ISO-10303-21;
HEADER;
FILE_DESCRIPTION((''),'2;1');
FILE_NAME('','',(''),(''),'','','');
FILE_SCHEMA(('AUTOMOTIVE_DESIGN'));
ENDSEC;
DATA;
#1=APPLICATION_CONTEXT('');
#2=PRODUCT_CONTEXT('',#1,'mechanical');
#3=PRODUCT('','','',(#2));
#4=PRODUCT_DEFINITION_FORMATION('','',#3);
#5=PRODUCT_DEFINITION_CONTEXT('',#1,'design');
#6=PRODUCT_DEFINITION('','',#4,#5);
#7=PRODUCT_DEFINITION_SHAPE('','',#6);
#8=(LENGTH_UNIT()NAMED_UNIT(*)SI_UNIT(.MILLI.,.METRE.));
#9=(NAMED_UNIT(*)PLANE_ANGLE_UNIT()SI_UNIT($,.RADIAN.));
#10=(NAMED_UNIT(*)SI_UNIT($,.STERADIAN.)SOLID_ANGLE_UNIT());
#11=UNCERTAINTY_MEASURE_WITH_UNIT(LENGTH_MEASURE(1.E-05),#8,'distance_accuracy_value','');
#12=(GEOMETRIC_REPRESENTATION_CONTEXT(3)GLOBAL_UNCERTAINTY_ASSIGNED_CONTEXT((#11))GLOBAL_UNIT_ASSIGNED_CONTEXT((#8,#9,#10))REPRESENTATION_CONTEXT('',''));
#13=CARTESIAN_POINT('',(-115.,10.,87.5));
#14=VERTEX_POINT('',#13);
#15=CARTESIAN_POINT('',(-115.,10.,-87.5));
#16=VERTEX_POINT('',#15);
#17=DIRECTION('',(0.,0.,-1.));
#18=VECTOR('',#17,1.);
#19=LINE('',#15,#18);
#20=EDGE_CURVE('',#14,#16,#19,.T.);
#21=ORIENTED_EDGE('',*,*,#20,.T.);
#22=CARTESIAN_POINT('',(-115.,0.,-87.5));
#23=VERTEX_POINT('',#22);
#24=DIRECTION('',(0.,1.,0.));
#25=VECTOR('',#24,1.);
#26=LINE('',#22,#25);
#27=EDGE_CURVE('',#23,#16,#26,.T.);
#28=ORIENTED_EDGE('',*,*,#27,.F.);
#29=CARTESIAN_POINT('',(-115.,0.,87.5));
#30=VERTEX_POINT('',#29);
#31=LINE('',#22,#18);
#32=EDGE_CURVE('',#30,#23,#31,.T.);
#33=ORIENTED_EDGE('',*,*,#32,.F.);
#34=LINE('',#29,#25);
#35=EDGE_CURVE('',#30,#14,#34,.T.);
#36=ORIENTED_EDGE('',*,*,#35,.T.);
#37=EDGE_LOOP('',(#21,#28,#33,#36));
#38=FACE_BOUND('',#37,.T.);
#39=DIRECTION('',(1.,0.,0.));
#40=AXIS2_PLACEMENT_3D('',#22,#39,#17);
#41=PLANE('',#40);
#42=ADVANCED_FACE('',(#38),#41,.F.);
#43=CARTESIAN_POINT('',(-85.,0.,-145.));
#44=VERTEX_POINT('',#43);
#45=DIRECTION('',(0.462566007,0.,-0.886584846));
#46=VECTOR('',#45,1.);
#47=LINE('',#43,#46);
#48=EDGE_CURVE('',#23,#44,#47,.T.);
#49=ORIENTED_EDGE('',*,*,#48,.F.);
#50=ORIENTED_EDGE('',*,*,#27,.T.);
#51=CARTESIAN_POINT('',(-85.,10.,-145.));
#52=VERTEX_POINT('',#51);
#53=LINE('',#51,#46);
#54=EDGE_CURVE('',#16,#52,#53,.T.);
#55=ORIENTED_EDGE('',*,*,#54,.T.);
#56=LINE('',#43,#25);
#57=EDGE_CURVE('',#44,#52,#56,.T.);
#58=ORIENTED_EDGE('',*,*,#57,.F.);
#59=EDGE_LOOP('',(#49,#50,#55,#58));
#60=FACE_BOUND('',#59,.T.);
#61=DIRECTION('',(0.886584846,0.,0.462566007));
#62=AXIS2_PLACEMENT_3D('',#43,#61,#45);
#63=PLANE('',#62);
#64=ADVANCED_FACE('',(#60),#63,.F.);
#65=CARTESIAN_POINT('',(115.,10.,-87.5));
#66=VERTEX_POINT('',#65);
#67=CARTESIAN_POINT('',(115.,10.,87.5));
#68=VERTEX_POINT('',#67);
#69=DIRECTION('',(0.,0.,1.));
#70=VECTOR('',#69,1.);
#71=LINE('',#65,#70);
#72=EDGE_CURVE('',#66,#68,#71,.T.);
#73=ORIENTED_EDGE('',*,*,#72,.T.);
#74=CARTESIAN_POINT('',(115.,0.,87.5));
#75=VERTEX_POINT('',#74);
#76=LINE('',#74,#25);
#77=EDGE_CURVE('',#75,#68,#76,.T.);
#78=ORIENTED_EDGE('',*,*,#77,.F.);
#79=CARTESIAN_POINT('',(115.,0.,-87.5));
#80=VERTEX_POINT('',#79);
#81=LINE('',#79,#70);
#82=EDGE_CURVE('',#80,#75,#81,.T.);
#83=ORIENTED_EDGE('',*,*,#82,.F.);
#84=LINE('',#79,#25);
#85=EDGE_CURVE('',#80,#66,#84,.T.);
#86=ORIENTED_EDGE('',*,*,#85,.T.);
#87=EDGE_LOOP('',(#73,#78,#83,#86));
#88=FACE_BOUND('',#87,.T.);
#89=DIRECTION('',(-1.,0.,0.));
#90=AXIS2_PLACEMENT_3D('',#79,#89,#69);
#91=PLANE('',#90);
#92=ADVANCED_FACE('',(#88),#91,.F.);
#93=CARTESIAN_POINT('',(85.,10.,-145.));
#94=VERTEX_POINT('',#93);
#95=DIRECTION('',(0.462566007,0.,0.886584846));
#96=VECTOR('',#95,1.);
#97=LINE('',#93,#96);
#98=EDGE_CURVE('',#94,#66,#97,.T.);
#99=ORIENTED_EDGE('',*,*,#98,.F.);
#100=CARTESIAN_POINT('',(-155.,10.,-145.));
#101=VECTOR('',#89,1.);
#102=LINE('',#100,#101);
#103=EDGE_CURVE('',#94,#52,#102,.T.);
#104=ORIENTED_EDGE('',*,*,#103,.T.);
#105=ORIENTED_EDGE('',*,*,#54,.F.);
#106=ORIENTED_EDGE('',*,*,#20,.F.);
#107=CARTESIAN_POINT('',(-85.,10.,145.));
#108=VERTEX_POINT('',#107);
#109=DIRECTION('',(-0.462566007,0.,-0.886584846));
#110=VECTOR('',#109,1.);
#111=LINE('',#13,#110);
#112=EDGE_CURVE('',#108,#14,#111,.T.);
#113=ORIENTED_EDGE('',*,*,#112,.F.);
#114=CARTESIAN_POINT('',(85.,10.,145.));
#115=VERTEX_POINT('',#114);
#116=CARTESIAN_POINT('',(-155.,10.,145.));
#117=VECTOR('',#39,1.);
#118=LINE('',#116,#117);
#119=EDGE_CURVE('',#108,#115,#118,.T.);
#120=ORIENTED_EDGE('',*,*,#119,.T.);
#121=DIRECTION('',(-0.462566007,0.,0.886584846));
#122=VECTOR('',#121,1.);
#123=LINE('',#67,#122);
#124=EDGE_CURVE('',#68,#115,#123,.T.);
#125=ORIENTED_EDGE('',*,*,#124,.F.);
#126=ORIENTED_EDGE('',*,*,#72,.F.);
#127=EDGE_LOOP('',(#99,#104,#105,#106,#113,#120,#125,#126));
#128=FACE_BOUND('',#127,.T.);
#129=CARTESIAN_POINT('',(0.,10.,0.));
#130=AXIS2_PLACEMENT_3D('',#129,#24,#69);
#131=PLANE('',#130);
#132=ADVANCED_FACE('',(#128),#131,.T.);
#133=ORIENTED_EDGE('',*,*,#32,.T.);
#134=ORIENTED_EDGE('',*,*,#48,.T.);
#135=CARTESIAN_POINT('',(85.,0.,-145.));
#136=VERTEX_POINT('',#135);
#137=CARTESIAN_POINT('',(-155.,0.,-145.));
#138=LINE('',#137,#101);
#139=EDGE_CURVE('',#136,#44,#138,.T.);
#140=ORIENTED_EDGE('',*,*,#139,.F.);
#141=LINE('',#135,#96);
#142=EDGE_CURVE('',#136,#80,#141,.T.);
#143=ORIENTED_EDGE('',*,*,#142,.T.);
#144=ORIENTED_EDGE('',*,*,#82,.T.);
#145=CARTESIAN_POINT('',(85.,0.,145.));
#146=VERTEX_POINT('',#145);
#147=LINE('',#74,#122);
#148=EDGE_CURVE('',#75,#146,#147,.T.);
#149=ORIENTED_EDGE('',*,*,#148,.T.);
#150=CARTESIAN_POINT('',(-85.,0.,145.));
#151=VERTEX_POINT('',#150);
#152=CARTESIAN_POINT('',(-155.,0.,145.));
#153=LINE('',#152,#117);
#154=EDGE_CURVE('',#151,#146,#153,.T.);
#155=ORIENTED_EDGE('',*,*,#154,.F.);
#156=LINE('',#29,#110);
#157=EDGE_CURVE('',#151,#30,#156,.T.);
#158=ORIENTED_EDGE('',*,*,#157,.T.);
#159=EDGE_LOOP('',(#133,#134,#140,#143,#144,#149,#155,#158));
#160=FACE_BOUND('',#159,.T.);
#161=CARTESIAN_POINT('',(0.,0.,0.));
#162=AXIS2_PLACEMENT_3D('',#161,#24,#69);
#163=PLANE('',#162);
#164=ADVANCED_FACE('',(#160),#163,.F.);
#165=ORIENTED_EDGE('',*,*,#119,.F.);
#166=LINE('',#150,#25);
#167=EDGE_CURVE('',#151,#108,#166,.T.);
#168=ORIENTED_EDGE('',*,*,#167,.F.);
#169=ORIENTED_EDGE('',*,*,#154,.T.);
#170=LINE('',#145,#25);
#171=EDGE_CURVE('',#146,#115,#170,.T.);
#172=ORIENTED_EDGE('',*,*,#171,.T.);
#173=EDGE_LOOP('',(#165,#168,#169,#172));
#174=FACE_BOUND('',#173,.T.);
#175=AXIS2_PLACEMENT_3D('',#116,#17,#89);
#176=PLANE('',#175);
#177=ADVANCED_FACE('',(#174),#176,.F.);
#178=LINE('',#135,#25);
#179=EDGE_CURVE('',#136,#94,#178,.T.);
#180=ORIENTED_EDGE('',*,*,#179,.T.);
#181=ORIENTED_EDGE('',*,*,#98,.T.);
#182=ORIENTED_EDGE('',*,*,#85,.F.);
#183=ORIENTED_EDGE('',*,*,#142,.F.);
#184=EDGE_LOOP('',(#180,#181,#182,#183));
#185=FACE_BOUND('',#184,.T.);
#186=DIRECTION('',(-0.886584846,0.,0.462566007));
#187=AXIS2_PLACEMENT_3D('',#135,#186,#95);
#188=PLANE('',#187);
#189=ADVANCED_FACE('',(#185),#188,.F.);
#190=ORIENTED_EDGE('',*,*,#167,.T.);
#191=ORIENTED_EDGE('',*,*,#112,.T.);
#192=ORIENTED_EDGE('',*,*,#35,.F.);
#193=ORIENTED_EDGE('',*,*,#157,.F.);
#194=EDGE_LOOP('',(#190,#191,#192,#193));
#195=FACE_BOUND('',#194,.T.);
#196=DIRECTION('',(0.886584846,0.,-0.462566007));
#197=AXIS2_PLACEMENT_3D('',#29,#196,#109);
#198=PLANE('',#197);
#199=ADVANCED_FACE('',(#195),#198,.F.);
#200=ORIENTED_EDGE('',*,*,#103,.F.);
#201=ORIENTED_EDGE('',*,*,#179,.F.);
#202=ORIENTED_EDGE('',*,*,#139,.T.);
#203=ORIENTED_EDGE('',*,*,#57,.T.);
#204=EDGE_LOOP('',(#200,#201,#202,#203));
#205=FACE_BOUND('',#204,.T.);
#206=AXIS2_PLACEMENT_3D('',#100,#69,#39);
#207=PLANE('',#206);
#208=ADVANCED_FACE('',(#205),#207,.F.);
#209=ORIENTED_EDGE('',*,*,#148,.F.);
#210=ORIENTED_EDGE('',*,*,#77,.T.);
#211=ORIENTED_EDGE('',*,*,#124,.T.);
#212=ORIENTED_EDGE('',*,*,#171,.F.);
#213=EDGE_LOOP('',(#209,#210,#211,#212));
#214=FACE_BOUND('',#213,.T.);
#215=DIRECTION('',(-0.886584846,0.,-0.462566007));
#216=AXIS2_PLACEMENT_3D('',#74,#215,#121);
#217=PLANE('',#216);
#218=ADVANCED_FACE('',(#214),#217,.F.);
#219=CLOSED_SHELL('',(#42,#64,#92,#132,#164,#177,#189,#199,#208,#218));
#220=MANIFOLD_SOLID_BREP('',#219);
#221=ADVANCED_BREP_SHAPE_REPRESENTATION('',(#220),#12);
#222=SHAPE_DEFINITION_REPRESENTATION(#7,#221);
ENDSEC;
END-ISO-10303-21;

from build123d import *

# Parameters (mm, degrees)
SKETCH1_W           = 310
SKETCH1_H           = 290
BOSS_EXTRUDE1_DEPTH = 10
CUT_EXTRUDE1_DEPTH  = 213.485293609


with BuildPart() as part:
    # Sketch1 → Boss-Extrude1 (new body)
    with BuildSketch(Plane(origin=(0, 0, 0), x_dir=(1, 0, 0), z_dir=(0, 1, 0))):
        Rectangle(SKETCH1_W, SKETCH1_H)
    extrude(amount=BOSS_EXTRUDE1_DEPTH)

    # Sketch2 → Cut-Extrude1 (cut, through all)
    with BuildSketch(Plane(origin=(0, 10, 0), x_dir=(1, 0, 0), z_dir=(0, 1, 0))):
        Polygon((-85.000000005, 145), (-115.000000006, 87.499999999), (-115.000000006, -87.500000001), (-85, -145), (-155, -145), (-155.000000005, 145), align=None)
        Polygon((155, -145), (155.000000005, 145), (85.000000005, 145), (115.000000006, 87.499999999), (115.000000006, -87.500000001), (85, -145), align=None)
    extrude(amount=-CUT_EXTRUDE1_DEPTH, mode=Mode.SUBTRACT)


solid = part.part
